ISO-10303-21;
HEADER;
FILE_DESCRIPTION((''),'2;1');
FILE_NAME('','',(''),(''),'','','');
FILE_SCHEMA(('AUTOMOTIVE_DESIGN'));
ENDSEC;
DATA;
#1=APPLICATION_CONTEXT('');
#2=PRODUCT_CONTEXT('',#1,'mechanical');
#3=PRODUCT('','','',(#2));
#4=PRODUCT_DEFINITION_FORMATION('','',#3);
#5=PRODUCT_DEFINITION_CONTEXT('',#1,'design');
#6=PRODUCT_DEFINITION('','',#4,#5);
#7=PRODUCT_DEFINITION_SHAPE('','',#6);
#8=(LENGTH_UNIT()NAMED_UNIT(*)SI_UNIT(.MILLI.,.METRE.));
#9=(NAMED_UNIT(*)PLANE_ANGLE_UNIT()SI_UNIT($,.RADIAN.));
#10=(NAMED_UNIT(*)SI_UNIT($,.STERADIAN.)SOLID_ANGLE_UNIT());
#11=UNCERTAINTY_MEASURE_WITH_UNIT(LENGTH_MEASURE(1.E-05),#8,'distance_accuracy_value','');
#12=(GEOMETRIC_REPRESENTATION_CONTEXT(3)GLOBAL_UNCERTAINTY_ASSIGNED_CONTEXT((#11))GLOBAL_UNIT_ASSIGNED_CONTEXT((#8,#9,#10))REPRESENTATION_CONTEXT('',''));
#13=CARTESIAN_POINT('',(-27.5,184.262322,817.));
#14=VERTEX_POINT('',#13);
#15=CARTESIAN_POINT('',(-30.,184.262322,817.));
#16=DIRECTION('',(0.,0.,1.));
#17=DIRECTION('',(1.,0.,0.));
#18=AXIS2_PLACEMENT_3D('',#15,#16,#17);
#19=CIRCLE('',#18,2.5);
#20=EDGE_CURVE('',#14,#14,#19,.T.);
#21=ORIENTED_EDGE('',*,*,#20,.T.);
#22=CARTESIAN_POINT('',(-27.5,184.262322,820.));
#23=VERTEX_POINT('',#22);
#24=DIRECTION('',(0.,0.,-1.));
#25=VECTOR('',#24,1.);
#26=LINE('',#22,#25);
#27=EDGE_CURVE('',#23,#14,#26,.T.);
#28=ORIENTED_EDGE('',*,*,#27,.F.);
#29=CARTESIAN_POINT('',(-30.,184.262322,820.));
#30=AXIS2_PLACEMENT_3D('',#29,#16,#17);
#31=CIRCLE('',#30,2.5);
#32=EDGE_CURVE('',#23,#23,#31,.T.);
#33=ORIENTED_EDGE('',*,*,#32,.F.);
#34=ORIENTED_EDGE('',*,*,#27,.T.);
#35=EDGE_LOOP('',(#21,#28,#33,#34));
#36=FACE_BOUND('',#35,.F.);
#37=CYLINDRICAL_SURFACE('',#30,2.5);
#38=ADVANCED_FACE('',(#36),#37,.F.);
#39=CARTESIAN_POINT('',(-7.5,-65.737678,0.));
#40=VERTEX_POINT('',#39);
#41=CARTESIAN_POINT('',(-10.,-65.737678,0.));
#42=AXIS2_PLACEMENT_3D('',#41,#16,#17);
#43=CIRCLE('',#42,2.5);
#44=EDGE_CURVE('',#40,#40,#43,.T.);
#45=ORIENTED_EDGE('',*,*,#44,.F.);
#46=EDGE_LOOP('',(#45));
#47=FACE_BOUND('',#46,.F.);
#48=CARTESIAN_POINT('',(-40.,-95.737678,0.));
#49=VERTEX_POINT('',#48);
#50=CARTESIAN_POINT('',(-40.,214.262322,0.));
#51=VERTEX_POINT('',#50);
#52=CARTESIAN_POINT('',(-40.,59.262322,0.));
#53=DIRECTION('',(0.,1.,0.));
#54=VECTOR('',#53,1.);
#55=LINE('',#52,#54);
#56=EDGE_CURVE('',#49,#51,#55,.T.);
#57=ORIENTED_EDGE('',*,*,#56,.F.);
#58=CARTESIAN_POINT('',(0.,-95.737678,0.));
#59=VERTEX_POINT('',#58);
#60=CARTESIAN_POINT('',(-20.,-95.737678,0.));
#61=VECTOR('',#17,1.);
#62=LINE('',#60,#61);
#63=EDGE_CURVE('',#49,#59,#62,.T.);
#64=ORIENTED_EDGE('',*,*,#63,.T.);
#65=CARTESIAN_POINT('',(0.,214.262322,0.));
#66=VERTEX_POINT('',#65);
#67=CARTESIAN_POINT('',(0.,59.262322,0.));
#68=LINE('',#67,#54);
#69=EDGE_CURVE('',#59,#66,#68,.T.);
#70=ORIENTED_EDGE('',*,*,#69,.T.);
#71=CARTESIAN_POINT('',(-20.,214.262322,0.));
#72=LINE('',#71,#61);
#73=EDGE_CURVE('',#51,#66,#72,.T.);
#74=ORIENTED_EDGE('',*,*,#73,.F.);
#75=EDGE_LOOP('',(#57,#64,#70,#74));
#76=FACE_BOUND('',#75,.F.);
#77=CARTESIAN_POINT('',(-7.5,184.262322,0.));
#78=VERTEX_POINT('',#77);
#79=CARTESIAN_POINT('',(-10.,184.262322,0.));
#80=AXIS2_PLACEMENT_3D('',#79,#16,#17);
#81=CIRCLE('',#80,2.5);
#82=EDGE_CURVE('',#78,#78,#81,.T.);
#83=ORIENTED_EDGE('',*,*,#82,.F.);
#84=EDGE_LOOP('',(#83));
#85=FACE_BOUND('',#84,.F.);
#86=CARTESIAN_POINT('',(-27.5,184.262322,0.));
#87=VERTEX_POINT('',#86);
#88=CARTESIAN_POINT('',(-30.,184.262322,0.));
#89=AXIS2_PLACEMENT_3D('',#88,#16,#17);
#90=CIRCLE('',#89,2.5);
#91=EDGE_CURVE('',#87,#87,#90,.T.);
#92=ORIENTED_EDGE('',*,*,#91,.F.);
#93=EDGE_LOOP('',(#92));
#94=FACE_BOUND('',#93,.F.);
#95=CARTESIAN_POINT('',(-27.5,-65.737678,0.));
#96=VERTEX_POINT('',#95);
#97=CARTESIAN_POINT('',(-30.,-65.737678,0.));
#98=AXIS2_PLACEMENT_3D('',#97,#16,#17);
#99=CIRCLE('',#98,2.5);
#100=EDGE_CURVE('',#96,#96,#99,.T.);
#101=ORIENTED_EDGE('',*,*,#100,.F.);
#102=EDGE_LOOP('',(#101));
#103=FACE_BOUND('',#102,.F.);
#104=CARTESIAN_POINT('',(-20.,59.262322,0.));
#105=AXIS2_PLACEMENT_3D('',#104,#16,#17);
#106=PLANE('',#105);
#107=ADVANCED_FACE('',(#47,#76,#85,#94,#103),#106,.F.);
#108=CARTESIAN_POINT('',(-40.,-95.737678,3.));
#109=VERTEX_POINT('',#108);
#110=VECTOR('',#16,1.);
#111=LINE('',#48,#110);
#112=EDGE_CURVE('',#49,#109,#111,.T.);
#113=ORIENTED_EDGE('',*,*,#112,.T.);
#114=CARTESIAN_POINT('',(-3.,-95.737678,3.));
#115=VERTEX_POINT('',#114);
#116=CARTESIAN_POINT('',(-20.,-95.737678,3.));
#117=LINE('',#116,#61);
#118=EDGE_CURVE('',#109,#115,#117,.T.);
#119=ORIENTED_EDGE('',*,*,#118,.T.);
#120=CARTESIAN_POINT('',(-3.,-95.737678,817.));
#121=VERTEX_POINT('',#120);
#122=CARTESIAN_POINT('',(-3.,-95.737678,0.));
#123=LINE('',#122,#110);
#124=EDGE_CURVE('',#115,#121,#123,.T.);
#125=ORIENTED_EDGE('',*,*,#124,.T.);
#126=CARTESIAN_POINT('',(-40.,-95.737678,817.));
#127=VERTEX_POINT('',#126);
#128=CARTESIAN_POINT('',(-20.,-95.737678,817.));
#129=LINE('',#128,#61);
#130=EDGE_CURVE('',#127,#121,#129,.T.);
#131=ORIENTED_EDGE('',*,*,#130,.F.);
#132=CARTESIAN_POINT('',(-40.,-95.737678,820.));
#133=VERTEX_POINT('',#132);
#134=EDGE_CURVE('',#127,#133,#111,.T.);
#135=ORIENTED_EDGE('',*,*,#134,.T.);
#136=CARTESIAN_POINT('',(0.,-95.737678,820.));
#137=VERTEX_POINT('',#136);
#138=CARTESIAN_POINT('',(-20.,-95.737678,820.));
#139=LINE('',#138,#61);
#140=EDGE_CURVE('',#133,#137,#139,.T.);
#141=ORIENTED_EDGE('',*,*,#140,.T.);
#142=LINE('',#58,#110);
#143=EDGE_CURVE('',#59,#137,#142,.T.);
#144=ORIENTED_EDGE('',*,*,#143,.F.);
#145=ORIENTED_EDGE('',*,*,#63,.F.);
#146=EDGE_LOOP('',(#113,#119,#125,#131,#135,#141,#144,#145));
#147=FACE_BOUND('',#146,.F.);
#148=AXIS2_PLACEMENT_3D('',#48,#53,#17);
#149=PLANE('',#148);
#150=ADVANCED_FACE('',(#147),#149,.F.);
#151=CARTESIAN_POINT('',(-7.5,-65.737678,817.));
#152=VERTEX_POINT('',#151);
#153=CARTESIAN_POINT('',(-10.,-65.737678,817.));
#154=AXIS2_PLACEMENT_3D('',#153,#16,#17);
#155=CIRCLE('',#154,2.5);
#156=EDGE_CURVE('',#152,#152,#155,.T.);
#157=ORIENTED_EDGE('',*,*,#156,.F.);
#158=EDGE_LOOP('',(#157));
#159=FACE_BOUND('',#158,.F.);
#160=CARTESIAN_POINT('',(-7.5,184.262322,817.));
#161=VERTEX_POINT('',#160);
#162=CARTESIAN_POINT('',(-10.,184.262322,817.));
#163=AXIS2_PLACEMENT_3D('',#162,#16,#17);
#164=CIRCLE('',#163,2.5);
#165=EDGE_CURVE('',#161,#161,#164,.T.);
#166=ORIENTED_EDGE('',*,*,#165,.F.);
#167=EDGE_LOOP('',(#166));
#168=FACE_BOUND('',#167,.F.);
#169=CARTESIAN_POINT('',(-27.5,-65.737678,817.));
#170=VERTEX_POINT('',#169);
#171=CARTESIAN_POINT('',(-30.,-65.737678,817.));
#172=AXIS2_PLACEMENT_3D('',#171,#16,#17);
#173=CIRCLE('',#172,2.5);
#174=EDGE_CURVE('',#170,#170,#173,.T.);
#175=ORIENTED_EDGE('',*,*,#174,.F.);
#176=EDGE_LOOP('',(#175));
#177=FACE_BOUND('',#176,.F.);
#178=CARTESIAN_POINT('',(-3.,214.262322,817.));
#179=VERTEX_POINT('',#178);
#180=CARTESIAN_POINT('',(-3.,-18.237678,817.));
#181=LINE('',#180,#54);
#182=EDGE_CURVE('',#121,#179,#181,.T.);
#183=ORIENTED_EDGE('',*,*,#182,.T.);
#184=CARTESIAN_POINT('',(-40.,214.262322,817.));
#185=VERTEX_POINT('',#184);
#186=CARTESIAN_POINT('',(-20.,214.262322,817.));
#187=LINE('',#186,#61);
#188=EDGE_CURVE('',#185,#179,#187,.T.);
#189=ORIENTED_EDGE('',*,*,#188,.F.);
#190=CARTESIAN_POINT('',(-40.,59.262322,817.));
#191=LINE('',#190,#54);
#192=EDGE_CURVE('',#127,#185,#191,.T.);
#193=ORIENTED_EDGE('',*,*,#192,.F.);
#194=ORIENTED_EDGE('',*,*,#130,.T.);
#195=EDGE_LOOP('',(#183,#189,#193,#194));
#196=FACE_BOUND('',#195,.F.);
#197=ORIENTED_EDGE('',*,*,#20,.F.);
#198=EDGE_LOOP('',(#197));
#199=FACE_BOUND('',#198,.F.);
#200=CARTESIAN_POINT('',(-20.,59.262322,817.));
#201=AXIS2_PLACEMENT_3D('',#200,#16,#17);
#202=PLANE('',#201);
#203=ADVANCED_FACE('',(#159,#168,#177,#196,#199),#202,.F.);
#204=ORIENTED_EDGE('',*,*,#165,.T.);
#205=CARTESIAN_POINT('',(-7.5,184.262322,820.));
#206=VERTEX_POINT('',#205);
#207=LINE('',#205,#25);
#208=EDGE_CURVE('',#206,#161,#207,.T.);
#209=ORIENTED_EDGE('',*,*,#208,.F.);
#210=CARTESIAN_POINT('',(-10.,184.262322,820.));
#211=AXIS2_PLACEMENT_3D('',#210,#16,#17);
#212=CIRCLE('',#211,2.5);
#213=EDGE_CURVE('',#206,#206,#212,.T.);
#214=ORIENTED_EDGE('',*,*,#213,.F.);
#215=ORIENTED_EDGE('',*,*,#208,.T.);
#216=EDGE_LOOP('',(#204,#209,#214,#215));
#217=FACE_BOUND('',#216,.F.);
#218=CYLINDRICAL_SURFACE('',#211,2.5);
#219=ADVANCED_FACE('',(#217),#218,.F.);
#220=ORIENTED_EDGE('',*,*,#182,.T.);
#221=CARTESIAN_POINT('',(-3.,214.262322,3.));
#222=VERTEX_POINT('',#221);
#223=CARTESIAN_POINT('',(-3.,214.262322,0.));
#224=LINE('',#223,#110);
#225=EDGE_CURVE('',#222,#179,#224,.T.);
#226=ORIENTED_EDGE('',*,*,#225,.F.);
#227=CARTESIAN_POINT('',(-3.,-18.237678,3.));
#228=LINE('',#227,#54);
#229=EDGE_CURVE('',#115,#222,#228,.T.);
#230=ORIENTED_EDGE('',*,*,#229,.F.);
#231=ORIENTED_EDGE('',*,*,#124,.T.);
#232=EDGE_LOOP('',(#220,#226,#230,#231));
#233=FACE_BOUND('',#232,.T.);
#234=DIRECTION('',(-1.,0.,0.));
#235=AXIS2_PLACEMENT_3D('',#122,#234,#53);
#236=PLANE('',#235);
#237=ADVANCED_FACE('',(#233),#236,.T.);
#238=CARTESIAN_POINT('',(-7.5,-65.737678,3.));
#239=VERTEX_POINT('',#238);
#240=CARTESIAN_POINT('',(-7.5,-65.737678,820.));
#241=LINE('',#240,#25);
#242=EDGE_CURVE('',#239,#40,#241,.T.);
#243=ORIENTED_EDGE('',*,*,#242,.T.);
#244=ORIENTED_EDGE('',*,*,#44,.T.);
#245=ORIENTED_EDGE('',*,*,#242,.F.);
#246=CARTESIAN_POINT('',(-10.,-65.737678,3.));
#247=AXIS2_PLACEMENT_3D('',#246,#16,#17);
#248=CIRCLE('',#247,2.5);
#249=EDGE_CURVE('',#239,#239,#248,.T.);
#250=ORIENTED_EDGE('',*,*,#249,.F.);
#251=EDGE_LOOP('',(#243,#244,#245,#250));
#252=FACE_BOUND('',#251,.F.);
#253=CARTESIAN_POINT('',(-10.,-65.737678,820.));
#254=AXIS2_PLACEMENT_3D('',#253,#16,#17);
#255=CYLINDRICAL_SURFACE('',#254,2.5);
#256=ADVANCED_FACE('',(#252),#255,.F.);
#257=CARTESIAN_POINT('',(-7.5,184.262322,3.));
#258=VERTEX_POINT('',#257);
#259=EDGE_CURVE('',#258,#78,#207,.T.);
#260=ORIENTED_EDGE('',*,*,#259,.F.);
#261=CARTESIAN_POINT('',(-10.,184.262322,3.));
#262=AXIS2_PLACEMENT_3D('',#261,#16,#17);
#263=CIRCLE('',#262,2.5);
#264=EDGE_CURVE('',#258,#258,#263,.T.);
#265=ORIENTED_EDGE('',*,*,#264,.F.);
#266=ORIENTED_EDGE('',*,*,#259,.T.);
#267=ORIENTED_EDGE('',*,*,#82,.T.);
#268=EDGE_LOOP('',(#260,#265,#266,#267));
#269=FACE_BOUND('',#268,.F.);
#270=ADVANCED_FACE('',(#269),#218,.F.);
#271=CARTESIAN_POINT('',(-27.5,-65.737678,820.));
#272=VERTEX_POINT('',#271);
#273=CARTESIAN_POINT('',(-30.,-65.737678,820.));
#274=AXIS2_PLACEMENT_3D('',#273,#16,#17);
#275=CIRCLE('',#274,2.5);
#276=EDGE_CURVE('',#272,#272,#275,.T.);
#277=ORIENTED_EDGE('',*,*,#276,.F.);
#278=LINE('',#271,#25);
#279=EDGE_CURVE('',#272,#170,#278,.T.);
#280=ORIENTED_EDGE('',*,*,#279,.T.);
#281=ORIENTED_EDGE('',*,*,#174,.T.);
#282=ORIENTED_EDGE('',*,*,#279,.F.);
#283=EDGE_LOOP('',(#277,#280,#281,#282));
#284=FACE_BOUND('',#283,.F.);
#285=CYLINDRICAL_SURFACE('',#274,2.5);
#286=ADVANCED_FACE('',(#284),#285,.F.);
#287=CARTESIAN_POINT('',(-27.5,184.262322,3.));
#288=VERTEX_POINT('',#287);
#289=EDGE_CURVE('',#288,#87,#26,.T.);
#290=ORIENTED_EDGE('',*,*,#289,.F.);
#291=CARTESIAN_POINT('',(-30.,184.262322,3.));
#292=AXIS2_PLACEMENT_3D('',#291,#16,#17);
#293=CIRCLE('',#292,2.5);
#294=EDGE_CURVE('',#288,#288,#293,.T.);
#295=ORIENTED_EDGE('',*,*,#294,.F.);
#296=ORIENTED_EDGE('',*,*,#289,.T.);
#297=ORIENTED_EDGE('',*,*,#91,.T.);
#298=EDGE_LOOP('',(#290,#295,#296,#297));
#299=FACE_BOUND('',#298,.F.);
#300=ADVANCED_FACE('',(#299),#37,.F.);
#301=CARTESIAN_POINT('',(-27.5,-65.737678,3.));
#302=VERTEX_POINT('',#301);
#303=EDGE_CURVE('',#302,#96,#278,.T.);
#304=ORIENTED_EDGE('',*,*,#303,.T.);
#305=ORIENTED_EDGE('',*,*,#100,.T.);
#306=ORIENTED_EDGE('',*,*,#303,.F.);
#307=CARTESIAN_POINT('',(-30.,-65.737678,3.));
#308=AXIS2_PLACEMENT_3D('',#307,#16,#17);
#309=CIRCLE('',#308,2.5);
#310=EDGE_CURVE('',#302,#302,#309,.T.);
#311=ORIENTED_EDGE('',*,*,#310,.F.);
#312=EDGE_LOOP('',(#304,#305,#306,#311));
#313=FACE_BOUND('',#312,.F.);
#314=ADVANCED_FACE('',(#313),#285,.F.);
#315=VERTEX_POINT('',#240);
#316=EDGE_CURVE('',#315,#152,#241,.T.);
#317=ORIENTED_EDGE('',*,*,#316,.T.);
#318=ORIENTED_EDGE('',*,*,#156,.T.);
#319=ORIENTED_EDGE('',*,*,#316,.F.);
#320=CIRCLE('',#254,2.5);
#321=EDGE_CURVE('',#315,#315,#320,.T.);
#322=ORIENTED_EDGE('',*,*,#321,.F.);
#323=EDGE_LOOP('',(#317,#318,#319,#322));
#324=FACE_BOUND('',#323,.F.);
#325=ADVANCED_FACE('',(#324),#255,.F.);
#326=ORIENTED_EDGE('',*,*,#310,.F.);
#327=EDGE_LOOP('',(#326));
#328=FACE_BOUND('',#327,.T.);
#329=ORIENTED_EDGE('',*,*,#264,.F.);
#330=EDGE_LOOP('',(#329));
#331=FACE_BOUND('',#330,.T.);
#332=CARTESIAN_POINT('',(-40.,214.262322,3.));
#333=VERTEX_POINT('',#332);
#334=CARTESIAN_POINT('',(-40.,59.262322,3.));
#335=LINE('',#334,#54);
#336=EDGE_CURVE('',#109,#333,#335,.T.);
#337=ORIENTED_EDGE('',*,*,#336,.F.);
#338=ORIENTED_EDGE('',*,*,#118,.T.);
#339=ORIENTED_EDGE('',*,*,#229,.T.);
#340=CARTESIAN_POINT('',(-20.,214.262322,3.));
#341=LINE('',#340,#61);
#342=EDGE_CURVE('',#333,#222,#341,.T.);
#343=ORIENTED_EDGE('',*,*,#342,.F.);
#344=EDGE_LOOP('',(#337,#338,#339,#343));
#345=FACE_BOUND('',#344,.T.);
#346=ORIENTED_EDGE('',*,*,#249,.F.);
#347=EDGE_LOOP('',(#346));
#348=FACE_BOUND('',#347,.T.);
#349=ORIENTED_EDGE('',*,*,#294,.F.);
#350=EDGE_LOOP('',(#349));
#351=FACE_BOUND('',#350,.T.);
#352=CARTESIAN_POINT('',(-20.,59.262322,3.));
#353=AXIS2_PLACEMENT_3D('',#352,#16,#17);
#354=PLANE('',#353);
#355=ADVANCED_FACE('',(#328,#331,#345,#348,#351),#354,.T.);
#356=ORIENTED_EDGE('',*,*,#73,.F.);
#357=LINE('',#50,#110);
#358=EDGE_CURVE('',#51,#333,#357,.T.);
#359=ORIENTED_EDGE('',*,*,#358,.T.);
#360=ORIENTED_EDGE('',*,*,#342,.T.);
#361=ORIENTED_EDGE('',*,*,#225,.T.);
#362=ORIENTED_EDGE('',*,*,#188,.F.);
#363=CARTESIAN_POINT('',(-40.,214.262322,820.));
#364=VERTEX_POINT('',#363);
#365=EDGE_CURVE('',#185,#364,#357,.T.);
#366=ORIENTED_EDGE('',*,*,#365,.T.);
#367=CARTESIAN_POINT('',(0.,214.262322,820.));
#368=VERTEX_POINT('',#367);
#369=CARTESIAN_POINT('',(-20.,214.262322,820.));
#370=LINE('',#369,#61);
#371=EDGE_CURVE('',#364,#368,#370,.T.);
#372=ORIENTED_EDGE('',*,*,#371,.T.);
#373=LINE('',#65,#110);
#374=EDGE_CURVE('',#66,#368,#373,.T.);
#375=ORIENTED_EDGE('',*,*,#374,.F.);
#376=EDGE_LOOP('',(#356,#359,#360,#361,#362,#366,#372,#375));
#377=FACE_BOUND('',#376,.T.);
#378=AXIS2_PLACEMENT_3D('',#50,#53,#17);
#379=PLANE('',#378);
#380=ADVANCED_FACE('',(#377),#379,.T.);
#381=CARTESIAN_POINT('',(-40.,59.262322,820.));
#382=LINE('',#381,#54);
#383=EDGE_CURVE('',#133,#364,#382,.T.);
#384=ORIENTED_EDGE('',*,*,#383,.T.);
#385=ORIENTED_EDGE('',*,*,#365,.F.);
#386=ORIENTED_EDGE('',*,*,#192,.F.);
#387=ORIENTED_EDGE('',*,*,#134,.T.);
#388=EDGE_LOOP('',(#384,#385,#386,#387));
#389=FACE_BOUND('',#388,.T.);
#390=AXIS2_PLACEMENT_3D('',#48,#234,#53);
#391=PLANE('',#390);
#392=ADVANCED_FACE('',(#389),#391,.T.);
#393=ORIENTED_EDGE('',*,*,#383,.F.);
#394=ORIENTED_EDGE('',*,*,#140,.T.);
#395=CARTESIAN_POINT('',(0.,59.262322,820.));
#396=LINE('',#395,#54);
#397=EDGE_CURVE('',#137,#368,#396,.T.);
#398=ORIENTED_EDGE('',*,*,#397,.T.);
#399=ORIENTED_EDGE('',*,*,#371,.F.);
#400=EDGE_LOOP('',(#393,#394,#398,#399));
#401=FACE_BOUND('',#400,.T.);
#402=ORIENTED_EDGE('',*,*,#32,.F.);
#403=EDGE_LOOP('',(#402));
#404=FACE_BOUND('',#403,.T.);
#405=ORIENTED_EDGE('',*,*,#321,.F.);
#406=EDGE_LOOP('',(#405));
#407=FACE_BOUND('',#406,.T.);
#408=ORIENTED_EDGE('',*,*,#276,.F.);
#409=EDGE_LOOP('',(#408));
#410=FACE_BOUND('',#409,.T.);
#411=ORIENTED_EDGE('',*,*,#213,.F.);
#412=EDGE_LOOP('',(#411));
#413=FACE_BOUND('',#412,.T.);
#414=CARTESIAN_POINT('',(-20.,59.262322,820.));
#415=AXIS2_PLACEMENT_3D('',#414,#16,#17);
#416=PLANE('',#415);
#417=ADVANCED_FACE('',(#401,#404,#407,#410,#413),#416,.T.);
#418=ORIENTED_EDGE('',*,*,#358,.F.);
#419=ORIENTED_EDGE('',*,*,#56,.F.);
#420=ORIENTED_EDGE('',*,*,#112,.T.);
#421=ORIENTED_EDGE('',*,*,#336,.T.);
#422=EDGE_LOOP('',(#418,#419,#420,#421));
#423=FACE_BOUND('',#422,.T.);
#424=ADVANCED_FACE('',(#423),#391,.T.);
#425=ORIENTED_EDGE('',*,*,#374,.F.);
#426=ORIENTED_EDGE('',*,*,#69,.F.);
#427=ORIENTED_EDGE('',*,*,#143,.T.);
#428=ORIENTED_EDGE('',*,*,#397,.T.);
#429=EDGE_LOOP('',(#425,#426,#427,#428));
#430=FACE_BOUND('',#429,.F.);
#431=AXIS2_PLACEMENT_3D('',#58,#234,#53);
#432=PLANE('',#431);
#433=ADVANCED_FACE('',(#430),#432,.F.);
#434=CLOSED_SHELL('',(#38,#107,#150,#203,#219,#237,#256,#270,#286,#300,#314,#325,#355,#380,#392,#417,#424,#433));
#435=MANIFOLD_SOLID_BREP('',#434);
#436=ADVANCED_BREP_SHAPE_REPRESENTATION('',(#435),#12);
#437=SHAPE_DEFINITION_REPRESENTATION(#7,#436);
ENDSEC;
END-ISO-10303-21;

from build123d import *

# Parameters (mm, degrees)
F0_W     = 40
F0_H     = 310
F1_DEPTH = 820
F2_T     = -3
F3_R     = 2.5
F4_DEPTH = 820.001


with BuildPart() as f1:
    # F0 (on Top) → F1 (new body)
    with BuildSketch(Plane.XY):
        with Locations((-20, 59.262322)):
            Rectangle(F0_W, F0_H)
    extrude(amount=F1_DEPTH)

    # F2
    f2_openings = [f1.faces().sort_by_distance(p)[0] for p in [
        (-20, 214.262322, 410),
        (-20, -95.737678, 410),
        (-40, 59.262322, 410),
    ]]
    offset(amount=F2_T, openings=f2_openings)

    # F3 (on face) → F4 (cut, through all)
    with BuildSketch(Plane.XY.offset(820)):
        with Locations((-30, 184.262322)):
            Circle(F3_R)
        with Locations((-10, 184.262322)):
            Circle(F3_R)
        with Locations((-30, -65.737678)):
            Circle(F3_R)
        with Locations((-10, -65.737678)):
            Circle(F3_R)
    extrude(amount=-F4_DEPTH, mode=Mode.SUBTRACT)


solid = f1.part
